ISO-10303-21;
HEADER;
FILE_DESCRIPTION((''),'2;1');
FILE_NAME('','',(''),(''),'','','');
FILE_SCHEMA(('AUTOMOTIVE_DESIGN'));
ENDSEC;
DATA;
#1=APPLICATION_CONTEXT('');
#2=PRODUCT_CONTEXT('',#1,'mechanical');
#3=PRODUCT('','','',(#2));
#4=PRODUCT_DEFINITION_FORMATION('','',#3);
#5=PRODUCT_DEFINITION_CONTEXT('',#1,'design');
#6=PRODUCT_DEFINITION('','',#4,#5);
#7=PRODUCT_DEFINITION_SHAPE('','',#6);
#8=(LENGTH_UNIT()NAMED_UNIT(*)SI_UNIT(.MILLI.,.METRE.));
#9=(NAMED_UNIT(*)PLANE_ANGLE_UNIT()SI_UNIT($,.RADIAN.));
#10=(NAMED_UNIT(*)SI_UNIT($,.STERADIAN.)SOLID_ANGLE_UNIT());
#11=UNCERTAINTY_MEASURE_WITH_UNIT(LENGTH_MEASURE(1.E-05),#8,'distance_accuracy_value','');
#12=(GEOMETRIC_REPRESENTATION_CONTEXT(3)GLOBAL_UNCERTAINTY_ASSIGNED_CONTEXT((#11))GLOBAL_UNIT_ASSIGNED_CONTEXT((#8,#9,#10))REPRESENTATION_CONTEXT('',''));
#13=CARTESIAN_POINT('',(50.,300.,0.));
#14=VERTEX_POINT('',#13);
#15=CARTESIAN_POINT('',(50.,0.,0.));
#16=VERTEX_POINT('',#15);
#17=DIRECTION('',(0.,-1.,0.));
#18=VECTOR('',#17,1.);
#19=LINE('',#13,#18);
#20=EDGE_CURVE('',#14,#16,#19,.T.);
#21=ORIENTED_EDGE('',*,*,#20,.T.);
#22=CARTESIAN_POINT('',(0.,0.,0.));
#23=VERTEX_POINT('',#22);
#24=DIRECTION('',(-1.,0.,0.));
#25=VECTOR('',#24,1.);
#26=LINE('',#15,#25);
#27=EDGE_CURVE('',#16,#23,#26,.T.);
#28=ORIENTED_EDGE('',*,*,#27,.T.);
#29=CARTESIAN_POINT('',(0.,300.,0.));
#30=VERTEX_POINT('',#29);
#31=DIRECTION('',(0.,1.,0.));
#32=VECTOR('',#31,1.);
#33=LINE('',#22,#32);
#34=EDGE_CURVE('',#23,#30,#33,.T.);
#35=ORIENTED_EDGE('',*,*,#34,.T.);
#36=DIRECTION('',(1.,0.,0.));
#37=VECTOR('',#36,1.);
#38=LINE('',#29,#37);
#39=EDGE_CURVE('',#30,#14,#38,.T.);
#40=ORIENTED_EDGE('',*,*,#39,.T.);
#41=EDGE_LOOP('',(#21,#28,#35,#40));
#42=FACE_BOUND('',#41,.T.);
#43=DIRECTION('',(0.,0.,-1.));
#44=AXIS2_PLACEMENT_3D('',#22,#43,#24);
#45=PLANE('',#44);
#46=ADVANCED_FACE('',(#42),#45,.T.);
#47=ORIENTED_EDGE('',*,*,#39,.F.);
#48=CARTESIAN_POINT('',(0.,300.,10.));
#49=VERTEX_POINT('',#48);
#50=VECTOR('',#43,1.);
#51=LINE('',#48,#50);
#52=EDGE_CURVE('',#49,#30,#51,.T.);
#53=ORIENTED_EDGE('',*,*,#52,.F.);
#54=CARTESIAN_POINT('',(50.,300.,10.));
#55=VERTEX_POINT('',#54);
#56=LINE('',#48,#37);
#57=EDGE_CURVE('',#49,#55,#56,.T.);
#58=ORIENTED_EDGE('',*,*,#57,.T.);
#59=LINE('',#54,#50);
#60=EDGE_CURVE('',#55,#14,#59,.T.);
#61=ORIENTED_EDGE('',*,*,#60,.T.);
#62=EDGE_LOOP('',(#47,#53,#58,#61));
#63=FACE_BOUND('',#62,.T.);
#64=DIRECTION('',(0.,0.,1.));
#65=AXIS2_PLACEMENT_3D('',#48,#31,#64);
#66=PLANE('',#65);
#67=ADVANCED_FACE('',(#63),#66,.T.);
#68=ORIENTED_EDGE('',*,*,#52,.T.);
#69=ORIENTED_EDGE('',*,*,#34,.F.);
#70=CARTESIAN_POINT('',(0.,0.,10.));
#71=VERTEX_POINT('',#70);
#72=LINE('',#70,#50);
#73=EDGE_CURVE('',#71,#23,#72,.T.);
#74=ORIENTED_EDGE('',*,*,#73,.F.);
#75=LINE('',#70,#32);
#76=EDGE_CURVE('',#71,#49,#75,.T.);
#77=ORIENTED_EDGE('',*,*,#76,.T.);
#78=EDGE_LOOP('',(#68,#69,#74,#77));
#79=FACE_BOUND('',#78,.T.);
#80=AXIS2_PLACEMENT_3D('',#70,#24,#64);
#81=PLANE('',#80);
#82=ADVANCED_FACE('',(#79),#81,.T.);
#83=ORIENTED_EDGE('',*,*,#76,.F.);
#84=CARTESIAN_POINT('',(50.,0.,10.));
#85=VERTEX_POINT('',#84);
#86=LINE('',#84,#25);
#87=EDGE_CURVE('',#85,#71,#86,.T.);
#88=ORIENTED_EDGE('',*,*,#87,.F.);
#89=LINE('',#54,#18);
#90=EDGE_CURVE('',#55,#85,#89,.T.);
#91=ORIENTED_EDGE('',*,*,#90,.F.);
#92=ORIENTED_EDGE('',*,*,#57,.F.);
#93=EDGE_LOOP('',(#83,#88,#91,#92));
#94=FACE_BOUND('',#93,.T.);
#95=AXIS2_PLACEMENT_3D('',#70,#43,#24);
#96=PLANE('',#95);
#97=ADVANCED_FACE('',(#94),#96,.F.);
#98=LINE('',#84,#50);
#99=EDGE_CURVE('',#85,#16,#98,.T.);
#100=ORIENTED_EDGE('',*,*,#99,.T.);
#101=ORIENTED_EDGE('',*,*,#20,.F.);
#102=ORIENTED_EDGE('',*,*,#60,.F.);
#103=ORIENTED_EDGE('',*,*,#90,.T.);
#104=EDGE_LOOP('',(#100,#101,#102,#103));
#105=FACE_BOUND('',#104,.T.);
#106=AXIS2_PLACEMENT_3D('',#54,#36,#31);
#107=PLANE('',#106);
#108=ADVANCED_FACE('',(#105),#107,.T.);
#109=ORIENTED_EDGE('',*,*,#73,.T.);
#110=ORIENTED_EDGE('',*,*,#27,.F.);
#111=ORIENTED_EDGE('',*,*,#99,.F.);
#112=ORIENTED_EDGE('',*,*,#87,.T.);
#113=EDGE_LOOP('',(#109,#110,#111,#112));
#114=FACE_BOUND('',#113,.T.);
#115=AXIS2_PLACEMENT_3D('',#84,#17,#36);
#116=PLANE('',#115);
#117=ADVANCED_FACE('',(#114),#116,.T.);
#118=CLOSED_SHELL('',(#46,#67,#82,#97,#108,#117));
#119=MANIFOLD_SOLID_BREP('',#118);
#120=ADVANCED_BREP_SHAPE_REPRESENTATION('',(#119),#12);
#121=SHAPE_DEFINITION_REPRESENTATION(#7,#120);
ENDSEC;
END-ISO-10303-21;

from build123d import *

# Parameters (mm, degrees)
ESQUISSE1_W        = 50
ESQUISSE1_H        = 300
BOSS_EXTRU_1_DEPTH = 10


with BuildPart() as part:
    # Esquisse1 → Boss.-Extru.1 (new body)
    with BuildSketch(Plane.XY):
        with Locations((25, 150)):
            Rectangle(ESQUISSE1_W, ESQUISSE1_H)
    extrude(amount=BOSS_EXTRU_1_DEPTH)


solid = part.part
